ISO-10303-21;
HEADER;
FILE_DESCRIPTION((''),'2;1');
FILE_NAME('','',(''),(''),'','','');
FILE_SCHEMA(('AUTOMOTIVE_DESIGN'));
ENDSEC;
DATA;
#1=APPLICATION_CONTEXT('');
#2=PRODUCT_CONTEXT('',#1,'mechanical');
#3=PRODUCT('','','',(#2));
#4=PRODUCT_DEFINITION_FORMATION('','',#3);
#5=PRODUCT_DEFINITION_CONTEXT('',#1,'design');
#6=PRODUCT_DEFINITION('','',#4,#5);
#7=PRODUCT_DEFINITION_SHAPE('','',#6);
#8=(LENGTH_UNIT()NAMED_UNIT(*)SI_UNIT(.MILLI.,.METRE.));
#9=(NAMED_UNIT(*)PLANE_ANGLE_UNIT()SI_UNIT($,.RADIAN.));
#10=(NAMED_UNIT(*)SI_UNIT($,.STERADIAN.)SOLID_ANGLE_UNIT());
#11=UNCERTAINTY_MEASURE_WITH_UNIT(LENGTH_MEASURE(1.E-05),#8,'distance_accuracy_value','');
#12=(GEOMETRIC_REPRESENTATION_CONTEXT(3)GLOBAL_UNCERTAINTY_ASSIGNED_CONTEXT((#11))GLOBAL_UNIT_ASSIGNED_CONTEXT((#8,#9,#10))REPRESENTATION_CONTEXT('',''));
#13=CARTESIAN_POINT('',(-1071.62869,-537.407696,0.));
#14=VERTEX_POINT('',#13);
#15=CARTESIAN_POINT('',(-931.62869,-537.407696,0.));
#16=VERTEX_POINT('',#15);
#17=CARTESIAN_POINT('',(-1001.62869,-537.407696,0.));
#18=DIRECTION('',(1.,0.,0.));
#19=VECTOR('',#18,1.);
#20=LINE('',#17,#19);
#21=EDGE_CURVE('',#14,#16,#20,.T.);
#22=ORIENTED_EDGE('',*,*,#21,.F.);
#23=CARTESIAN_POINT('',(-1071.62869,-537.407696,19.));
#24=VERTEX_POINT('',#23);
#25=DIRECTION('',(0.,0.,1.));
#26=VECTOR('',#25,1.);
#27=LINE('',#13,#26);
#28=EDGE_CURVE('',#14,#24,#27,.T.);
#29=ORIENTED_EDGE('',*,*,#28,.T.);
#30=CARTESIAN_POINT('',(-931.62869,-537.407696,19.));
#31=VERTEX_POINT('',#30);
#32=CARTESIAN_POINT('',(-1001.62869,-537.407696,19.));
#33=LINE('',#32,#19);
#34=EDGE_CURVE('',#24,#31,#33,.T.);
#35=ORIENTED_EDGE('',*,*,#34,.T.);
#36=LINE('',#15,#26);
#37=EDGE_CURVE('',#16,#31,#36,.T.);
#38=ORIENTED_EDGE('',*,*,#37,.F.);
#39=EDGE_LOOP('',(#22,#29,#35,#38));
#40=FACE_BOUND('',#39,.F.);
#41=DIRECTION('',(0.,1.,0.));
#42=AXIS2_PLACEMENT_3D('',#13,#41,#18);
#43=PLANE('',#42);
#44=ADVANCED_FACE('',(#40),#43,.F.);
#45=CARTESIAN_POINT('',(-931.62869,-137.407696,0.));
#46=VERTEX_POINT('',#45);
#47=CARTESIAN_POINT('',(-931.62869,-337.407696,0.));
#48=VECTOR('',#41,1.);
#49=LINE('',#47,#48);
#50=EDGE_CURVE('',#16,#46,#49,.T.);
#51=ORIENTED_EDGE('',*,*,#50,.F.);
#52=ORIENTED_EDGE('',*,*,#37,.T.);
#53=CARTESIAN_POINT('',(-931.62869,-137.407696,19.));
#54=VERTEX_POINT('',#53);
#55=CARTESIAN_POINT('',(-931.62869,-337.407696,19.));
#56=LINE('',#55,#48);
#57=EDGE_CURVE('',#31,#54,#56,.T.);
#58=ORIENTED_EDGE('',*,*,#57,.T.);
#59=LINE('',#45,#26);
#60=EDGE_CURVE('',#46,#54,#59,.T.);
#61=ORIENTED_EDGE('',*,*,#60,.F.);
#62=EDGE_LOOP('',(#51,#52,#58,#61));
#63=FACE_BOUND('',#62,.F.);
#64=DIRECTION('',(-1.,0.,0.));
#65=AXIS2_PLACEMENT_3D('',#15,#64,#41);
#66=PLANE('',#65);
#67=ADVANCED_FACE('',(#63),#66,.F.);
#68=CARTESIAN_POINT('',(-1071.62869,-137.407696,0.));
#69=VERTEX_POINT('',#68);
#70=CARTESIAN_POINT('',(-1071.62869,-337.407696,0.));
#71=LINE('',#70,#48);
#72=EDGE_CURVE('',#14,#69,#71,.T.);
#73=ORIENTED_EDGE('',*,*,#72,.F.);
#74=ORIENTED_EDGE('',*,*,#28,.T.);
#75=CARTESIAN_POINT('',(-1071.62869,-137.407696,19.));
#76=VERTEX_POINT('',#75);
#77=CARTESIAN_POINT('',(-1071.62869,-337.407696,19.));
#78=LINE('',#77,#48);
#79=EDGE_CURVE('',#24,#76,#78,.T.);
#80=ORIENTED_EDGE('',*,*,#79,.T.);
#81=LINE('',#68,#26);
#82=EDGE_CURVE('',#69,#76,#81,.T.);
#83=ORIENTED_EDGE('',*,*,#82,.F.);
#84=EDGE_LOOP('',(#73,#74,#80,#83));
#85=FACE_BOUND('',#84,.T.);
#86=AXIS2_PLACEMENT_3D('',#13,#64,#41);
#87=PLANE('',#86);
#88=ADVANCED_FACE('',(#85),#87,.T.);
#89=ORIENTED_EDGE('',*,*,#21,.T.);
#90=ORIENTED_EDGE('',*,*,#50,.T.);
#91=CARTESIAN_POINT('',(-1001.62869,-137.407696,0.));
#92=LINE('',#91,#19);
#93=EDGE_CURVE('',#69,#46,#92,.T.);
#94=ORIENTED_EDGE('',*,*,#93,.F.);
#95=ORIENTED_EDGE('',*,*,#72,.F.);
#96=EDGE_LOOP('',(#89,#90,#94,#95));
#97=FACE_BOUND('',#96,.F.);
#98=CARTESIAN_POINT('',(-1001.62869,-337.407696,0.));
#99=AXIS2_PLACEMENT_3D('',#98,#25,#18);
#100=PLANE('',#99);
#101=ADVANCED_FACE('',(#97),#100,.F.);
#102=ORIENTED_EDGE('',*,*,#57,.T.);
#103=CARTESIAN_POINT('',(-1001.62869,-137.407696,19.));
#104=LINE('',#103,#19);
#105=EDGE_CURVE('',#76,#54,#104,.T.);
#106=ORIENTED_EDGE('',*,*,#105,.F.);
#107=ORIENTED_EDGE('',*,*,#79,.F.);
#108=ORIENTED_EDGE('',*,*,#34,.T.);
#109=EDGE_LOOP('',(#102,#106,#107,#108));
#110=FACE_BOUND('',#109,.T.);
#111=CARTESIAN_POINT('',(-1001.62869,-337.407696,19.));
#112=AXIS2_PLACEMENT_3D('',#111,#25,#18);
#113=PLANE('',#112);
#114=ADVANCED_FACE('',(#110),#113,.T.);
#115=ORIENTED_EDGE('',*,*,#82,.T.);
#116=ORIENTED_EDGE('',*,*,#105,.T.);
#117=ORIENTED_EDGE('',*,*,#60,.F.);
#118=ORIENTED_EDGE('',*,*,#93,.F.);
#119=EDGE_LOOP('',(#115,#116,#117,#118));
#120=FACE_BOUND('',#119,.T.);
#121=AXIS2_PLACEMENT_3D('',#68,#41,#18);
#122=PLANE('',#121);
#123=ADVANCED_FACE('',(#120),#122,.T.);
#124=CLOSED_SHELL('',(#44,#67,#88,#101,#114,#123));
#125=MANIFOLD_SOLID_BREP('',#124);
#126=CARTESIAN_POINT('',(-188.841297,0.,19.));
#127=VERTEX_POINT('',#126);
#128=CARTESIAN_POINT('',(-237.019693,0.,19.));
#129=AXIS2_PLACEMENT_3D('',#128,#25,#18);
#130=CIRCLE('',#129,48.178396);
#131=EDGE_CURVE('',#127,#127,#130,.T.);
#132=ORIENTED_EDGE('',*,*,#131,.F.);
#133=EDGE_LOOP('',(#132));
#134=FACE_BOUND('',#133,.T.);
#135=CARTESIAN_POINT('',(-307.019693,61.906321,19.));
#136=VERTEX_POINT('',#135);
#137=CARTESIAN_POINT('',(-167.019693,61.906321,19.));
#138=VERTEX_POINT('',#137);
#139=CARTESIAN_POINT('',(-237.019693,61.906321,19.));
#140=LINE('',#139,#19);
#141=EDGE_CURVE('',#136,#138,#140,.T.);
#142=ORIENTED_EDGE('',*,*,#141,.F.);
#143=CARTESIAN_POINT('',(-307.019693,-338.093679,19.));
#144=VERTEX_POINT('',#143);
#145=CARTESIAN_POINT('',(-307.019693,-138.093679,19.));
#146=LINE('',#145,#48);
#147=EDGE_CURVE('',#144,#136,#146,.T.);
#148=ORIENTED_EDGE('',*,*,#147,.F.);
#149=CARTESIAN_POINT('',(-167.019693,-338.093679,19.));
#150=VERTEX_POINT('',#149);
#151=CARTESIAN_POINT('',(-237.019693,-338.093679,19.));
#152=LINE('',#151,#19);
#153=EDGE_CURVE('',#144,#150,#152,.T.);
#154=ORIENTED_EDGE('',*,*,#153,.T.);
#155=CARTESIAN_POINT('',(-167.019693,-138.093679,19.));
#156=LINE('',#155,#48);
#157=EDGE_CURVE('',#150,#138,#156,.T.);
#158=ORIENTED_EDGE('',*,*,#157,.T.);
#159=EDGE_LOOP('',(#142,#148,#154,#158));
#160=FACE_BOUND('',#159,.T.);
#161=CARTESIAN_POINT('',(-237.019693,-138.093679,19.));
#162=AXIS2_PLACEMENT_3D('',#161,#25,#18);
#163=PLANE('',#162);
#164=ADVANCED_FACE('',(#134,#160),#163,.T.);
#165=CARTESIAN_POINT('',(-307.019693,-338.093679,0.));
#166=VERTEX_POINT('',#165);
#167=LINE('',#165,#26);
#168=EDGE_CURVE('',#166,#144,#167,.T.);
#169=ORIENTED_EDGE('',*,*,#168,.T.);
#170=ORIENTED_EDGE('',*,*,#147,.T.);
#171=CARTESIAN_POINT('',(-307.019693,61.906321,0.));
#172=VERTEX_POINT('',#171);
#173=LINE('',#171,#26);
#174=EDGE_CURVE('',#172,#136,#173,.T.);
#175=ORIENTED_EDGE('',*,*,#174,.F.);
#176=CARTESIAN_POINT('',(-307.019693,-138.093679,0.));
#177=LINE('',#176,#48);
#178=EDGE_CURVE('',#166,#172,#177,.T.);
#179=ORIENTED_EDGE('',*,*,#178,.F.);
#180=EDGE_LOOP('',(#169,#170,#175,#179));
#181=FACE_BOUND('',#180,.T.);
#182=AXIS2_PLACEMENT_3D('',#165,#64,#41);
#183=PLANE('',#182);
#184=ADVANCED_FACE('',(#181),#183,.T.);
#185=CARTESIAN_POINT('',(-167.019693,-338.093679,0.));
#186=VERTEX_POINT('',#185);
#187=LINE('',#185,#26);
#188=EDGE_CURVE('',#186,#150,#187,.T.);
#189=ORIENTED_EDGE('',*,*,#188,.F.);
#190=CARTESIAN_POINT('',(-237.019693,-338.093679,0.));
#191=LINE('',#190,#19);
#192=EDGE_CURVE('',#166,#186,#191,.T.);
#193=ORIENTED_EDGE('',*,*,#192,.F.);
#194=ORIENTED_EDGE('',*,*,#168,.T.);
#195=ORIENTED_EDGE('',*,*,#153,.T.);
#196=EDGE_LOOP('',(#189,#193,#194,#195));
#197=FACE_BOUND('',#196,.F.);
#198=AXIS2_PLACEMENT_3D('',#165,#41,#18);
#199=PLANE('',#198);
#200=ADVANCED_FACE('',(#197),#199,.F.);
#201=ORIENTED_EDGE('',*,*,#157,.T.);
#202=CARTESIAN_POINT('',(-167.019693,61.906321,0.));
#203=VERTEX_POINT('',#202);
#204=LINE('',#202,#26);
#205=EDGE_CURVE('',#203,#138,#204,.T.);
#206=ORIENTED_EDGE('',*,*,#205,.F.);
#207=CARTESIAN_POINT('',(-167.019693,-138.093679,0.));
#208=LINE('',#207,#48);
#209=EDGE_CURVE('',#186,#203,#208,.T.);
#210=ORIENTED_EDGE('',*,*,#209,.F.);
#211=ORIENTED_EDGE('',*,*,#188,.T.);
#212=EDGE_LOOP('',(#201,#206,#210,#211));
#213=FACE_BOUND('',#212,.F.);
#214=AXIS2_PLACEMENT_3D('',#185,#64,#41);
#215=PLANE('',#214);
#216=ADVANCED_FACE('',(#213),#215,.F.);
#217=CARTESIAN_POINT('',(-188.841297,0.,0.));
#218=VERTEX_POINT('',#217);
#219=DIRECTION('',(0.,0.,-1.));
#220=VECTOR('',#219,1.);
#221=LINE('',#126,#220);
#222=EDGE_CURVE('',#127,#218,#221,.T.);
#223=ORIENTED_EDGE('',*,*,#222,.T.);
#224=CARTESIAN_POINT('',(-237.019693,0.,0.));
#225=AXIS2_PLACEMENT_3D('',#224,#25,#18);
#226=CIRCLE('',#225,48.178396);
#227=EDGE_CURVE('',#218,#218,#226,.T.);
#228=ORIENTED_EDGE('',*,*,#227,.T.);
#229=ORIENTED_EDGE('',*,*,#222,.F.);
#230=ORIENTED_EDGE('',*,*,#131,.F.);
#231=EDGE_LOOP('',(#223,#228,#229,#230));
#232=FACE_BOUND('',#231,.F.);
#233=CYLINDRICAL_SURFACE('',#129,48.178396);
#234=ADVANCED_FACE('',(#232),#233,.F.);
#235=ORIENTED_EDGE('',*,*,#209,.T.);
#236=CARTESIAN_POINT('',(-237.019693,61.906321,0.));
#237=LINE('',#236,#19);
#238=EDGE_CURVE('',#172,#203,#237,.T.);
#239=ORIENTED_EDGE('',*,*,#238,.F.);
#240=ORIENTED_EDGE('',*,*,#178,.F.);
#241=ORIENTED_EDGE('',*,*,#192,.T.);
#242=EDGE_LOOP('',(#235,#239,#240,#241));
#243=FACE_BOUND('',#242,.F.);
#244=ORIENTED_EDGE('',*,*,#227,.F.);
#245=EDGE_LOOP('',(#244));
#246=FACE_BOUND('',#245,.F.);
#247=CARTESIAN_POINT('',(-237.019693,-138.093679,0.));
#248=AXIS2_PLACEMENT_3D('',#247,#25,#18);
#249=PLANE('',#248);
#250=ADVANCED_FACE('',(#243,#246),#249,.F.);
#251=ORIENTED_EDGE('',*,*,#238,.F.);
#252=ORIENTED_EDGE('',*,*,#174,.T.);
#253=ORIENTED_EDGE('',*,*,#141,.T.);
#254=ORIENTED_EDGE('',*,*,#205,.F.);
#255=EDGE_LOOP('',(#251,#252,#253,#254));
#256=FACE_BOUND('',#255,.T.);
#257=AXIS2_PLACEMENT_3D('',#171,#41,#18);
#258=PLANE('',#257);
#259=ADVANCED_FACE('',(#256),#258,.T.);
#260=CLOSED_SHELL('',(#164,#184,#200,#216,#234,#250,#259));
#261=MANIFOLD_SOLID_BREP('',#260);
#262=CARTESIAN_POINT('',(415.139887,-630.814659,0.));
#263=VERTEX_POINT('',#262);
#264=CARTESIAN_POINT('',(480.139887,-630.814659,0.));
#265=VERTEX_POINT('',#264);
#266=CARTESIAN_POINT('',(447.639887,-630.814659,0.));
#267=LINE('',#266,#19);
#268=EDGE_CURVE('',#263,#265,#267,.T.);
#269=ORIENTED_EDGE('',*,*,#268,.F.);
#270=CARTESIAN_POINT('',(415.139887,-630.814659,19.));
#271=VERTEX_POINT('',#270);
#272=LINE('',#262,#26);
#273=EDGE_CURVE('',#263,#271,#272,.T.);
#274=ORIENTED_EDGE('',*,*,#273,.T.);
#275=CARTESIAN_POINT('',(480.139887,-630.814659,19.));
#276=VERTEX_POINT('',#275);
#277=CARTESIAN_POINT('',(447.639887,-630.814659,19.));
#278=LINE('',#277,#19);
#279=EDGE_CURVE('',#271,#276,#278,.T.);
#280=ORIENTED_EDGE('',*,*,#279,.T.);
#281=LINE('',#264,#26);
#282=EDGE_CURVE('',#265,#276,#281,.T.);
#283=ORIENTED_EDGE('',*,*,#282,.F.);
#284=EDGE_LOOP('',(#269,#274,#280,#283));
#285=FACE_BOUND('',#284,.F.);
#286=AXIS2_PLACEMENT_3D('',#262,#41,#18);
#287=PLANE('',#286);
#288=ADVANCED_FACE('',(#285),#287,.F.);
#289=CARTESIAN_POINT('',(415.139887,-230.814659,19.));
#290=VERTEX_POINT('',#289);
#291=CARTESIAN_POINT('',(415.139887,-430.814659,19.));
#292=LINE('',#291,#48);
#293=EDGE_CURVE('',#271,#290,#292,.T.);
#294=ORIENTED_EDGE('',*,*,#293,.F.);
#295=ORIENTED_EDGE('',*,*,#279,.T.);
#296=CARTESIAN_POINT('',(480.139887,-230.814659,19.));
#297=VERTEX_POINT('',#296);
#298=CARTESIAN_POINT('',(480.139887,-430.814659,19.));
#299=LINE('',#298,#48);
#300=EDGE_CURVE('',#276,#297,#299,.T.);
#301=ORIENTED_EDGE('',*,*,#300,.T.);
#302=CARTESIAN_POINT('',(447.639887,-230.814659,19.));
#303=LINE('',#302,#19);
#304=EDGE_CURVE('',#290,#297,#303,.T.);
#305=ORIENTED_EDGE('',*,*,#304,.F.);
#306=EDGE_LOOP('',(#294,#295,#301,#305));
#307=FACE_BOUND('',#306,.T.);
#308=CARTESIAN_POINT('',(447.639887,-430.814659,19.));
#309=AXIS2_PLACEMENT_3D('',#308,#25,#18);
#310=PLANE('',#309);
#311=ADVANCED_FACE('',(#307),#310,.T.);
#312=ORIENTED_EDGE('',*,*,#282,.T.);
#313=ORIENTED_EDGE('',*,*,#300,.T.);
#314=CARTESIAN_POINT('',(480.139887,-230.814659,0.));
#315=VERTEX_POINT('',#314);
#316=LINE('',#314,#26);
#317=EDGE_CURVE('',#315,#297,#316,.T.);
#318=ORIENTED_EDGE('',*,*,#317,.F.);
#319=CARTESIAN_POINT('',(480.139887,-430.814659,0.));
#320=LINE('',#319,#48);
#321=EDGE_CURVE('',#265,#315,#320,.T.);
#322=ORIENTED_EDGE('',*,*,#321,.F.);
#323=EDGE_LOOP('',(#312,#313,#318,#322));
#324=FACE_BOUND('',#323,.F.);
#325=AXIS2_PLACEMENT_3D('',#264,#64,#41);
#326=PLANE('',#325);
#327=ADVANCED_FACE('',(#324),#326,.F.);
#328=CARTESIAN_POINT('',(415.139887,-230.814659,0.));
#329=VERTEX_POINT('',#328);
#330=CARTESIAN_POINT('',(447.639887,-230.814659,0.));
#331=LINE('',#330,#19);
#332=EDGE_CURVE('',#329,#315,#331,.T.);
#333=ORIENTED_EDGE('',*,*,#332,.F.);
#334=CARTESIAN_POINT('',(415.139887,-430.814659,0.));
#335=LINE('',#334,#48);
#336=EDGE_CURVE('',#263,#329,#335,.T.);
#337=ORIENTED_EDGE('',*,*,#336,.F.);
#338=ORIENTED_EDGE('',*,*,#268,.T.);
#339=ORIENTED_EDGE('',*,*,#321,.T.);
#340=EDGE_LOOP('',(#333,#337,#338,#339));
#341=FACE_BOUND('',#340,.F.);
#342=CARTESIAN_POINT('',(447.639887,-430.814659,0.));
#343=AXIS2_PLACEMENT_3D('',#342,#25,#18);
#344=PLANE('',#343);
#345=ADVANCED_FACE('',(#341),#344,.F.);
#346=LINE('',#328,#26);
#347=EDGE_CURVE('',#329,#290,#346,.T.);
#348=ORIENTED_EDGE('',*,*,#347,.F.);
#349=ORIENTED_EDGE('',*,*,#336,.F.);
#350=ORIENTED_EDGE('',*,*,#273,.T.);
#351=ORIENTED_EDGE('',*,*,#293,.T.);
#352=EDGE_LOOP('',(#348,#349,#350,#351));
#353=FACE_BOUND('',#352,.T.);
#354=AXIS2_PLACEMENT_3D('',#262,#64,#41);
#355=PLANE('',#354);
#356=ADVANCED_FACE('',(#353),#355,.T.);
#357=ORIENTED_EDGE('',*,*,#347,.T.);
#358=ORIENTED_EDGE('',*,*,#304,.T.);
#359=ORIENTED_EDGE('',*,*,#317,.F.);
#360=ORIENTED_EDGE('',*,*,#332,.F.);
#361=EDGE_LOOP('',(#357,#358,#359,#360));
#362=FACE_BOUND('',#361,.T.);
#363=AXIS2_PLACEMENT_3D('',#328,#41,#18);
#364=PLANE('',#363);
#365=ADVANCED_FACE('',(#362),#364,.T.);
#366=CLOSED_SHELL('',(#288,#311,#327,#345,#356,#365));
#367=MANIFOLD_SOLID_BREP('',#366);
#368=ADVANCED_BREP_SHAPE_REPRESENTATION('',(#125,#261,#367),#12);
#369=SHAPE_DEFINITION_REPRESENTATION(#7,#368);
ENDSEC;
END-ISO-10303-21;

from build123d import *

# Parameters (mm, degrees)
F1_W     = 140
F1_H     = 400
F2_DEPTH = 19
F0_W     = 140
F0_H     = 400
F3_DEPTH = 19
F4_W     = 65
F4_H     = 400
F5_DEPTH = 19
F6_R     = 48.178396
F7_DEPTH = 19


with BuildPart() as f2:
    # F1 (on Top) → F2 (new body)
    with BuildSketch(Plane.XY):
        with Locations((-1001.62869, -337.407696)):
            Rectangle(F1_W, F1_H)
    extrude(amount=F2_DEPTH)


with BuildPart() as f3:
    # F0 (on Top) → F3 (new body)
    with BuildSketch(Plane.XY):
        with Locations((-237.019693, -138.093679)):
            Rectangle(F0_W, F0_H)
    extrude(amount=F3_DEPTH)

    # F6 (on face) → F7 (cut)
    with BuildSketch(Plane.XY.offset(19)):
        with Locations((-237.019693, 0)):
            Circle(F6_R)
    extrude(amount=-F7_DEPTH, mode=Mode.SUBTRACT)


with BuildPart() as f5:
    # F4 (on Top) → F5 (new body)
    with BuildSketch(Plane.XY):
        with Locations((447.639887, -430.814659)):
            Rectangle(F4_W, F4_H)
    extrude(amount=F5_DEPTH)


solid = Compound([f2.part, f3.part, f5.part])
